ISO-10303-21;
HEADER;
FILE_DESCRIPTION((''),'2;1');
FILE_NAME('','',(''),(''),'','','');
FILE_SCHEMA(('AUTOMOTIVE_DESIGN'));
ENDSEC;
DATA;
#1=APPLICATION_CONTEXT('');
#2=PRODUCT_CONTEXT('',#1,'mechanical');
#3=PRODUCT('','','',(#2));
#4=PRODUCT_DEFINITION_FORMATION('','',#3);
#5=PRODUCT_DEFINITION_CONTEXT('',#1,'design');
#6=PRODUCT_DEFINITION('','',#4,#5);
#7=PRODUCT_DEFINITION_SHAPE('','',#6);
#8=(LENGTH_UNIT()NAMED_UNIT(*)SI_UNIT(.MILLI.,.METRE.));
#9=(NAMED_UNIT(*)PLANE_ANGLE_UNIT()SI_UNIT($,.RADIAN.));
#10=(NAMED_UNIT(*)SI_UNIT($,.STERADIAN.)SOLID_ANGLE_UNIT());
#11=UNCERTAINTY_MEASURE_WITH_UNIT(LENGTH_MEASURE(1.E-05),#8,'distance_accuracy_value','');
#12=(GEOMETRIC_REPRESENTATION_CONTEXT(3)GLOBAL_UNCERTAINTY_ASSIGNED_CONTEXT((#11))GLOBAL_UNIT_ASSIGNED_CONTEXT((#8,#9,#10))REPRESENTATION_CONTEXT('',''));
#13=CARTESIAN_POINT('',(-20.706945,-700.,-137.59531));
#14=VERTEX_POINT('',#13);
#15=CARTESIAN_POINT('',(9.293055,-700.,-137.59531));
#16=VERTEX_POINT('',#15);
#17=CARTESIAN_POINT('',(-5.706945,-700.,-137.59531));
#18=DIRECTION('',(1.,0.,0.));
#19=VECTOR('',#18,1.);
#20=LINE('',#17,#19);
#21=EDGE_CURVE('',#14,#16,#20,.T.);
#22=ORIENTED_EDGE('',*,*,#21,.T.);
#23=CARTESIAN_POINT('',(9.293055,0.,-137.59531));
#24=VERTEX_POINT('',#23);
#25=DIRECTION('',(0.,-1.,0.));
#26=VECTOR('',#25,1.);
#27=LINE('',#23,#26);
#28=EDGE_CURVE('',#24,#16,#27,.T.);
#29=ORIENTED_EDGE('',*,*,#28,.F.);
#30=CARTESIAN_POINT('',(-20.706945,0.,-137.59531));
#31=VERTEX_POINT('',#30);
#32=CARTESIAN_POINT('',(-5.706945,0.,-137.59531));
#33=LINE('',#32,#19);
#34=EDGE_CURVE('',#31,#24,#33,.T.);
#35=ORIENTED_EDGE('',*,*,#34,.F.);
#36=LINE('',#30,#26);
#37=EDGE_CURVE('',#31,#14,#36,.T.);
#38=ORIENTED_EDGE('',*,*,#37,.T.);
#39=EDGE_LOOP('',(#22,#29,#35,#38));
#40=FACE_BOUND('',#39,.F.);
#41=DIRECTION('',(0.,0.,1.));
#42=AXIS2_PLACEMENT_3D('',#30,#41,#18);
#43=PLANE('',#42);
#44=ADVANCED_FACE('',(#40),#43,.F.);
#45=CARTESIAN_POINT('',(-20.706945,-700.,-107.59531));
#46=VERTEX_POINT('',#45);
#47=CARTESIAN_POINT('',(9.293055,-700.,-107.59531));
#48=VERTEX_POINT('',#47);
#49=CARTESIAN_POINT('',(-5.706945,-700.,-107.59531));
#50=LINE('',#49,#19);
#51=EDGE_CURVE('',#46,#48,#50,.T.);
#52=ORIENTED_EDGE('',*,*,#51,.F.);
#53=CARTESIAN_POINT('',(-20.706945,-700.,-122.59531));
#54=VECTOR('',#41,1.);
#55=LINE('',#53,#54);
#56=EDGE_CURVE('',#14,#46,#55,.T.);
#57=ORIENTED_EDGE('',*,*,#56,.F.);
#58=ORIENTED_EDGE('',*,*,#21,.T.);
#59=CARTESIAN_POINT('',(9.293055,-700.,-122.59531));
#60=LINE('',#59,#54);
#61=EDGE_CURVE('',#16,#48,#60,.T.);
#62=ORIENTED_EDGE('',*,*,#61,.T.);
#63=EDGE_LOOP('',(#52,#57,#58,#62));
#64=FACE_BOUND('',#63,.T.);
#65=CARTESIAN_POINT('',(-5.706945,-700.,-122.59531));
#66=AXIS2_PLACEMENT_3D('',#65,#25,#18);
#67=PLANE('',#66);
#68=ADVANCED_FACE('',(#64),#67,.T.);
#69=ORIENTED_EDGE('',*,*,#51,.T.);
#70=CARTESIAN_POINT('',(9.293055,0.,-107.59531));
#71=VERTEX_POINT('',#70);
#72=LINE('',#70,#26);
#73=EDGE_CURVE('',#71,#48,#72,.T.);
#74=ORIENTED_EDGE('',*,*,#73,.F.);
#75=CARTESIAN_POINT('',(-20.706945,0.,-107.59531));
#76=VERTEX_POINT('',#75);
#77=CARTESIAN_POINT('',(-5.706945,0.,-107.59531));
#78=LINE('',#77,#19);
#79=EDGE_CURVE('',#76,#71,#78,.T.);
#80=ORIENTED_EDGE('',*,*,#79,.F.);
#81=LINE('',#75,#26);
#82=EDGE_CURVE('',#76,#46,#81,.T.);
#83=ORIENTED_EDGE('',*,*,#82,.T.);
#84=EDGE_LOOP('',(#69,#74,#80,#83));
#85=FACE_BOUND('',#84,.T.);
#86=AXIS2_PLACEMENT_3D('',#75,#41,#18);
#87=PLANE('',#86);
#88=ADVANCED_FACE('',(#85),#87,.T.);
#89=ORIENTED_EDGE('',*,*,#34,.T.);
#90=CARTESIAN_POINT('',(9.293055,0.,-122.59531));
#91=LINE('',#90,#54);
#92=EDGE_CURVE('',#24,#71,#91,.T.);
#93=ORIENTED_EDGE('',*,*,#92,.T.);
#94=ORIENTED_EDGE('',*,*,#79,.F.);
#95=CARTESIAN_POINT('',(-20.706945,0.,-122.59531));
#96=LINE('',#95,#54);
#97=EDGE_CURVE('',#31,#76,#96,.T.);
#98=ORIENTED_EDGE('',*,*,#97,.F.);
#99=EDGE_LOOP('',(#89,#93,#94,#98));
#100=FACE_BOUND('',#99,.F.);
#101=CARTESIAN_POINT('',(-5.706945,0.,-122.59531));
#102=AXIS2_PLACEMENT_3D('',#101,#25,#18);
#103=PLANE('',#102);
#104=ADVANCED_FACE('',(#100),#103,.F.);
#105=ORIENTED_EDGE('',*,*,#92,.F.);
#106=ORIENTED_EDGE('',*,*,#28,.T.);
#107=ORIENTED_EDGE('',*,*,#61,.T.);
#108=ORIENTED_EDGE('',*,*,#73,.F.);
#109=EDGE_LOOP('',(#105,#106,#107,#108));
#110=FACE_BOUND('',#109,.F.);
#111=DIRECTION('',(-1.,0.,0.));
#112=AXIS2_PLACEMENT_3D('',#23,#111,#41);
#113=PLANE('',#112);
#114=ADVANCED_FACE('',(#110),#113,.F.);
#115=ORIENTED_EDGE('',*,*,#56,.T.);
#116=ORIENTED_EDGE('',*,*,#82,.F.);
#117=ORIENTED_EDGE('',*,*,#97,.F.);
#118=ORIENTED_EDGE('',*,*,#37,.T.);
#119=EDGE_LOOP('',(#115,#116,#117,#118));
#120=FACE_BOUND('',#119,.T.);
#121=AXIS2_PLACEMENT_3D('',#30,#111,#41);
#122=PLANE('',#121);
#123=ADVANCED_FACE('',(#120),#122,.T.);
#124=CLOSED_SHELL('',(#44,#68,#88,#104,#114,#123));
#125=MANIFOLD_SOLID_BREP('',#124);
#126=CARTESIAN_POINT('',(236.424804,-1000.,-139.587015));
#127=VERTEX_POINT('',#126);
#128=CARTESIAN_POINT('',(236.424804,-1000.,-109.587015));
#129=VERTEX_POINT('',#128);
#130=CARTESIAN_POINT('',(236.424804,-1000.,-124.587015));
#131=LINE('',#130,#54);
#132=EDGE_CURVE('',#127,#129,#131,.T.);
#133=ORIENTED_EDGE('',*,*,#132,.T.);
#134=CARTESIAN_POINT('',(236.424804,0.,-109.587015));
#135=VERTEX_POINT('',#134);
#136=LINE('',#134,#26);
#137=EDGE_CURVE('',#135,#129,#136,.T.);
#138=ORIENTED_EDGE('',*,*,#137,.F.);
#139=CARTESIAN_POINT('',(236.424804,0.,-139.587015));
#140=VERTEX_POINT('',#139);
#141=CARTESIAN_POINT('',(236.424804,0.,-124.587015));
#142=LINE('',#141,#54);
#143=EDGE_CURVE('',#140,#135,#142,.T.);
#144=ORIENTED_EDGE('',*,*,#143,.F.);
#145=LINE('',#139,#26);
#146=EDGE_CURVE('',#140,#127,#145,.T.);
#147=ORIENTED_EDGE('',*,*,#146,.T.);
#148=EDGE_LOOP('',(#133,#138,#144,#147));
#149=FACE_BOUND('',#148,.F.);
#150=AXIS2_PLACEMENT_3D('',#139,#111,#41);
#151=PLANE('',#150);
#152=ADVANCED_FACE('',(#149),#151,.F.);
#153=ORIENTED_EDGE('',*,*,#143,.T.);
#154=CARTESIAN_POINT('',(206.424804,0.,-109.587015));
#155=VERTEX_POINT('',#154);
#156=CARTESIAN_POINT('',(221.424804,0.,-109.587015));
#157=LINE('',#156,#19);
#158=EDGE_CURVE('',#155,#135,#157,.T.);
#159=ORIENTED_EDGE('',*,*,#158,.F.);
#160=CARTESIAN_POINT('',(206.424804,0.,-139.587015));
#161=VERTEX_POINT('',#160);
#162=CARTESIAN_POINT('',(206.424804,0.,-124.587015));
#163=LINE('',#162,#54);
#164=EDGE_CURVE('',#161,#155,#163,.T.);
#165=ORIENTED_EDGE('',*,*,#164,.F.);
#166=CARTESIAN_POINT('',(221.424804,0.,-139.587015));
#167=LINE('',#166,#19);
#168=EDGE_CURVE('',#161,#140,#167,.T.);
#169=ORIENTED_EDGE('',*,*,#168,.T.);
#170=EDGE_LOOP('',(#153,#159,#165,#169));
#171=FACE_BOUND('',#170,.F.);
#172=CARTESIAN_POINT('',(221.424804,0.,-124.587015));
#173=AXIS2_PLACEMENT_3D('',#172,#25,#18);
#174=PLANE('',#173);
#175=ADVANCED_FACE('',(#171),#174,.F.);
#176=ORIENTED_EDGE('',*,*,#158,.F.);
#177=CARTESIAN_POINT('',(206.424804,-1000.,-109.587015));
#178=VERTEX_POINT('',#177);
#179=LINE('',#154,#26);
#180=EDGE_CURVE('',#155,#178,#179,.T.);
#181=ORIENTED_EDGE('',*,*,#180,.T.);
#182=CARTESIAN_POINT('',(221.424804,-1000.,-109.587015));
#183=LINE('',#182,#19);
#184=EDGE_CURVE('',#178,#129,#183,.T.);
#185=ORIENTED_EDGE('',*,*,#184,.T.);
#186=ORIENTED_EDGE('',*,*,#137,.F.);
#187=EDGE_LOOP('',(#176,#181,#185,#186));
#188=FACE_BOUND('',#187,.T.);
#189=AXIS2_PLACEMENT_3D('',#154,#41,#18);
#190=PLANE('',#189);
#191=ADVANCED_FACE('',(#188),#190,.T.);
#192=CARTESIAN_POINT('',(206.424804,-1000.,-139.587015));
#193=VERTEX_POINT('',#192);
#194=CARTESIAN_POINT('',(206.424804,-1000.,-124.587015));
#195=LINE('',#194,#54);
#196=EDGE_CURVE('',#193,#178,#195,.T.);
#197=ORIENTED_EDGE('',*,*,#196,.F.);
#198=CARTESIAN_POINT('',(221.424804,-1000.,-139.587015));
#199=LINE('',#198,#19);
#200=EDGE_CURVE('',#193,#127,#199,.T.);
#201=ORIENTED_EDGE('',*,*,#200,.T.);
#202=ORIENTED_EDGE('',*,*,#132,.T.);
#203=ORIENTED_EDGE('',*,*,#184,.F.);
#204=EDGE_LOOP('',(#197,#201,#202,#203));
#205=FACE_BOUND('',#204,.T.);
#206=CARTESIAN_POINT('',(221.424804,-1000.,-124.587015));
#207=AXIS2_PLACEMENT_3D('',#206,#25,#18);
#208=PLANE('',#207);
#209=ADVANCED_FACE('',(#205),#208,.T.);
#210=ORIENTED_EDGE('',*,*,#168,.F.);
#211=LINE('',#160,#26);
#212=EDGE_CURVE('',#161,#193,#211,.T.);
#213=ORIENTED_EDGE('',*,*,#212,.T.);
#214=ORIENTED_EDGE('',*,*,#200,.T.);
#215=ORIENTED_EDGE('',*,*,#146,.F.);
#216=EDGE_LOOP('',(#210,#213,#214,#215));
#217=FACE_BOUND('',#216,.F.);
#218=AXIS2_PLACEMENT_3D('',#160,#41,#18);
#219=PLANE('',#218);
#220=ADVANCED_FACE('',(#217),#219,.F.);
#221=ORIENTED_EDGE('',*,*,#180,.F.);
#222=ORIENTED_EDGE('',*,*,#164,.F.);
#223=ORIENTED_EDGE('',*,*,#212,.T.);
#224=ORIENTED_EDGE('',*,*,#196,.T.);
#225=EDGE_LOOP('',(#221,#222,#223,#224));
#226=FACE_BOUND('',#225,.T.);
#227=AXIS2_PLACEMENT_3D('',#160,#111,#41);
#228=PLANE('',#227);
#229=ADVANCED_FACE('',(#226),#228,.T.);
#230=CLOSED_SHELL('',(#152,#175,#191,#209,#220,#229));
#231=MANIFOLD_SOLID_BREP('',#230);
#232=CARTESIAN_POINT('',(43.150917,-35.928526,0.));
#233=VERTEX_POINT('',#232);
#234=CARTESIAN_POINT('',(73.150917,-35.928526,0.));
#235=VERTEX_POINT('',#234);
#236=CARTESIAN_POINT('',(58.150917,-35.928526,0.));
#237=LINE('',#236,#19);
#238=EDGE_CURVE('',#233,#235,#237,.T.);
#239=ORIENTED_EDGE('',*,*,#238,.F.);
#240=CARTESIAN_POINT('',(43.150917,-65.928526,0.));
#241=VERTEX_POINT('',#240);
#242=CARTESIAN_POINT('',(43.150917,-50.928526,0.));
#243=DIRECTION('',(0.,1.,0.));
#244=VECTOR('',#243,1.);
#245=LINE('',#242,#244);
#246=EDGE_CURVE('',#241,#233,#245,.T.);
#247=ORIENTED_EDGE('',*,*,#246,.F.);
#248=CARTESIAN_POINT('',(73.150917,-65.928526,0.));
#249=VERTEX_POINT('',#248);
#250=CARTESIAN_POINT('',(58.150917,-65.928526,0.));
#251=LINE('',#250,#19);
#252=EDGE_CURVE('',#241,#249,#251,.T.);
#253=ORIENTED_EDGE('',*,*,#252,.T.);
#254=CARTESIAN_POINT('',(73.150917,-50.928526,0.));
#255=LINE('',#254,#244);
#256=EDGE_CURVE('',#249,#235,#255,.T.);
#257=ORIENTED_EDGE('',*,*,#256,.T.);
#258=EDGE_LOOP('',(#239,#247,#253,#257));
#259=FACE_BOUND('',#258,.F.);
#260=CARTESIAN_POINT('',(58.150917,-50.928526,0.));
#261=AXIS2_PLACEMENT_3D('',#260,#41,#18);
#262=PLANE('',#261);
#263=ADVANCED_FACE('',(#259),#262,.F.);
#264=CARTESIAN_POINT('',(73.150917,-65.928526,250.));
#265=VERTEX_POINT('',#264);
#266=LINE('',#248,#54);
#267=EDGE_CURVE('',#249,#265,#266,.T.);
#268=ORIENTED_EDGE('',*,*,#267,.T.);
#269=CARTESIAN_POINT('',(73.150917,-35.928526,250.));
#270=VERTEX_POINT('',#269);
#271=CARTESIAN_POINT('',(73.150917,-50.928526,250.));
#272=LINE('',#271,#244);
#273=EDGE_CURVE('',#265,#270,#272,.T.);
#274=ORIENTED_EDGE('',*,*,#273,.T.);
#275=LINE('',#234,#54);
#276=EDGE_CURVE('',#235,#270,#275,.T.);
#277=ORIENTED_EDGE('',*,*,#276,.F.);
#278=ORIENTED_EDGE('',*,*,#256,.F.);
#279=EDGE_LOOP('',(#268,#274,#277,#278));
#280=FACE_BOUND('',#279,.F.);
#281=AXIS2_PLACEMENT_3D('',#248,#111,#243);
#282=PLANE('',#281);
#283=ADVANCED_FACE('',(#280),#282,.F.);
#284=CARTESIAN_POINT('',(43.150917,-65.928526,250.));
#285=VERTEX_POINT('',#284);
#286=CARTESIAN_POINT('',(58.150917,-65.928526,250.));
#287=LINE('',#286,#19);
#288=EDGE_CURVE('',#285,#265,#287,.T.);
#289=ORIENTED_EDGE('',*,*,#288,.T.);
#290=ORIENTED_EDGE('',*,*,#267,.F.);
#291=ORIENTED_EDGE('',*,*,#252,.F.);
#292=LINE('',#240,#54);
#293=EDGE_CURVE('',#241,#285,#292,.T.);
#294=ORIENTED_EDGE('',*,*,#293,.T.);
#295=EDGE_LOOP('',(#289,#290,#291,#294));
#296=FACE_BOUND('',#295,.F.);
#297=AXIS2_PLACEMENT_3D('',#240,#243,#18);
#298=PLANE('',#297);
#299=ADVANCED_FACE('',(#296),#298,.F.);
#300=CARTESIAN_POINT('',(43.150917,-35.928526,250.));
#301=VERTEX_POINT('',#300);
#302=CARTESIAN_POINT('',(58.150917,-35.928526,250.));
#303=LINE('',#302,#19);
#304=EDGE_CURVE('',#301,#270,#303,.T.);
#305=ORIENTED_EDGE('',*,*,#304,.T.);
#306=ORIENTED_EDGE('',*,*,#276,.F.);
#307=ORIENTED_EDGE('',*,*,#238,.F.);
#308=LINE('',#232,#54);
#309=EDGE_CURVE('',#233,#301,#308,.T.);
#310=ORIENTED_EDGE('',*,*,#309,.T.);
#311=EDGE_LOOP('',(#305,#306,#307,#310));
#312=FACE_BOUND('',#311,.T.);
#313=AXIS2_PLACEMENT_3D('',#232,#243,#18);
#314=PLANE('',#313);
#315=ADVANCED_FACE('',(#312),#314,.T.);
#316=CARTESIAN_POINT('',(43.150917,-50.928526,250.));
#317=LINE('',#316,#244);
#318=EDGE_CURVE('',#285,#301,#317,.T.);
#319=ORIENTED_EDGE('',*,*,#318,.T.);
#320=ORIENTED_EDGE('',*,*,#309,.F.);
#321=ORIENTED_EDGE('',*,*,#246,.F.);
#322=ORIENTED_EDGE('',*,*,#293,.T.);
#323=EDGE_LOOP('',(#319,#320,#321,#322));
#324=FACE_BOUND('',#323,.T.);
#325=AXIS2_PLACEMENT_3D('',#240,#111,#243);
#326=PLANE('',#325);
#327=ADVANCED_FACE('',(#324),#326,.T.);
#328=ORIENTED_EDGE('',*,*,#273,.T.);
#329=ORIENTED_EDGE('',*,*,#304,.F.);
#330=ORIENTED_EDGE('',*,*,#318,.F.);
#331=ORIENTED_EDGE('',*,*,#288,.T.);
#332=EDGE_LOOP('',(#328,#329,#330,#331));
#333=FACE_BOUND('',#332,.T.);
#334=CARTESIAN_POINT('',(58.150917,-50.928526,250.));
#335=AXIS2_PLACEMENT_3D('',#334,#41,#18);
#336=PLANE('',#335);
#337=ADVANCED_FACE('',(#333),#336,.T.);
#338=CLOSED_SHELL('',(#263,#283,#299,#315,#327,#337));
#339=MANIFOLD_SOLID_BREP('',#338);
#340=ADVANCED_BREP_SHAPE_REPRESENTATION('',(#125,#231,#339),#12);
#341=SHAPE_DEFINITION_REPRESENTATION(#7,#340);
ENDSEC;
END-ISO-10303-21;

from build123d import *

# Parameters (mm, degrees)
F0_W     = 30
F0_H     = 30
F1_DEPTH = 250
F2_W     = 30
F2_H     = 30
F3_DEPTH = 1000
F4_DEPTH = 700


with BuildPart() as f1:
    # F0 (on Top) → F1 (new body)
    with BuildSketch(Plane.XY):
        with Locations((58.1509166956, -50.9285262227)):
            Rectangle(F0_W, F0_H)
    extrude(amount=F1_DEPTH)


with BuildPart() as f3:
    # F2 (on Front) → F3 (new body)
    with BuildSketch(Plane.XZ):
        with Locations((221.4248037338, -124.5870149136)):
            Rectangle(F2_W, F2_H)
    extrude(amount=F3_DEPTH)


with BuildPart() as f4:
    # F2 (on Front) → F4 (new body)
    with BuildSketch(Plane.XZ):
        with Locations((-5.7069445029, -122.5953102112)):
            Rectangle(F2_W, F2_H)
    extrude(amount=F4_DEPTH)


solid = Compound([f1.part, f3.part, f4.part])
